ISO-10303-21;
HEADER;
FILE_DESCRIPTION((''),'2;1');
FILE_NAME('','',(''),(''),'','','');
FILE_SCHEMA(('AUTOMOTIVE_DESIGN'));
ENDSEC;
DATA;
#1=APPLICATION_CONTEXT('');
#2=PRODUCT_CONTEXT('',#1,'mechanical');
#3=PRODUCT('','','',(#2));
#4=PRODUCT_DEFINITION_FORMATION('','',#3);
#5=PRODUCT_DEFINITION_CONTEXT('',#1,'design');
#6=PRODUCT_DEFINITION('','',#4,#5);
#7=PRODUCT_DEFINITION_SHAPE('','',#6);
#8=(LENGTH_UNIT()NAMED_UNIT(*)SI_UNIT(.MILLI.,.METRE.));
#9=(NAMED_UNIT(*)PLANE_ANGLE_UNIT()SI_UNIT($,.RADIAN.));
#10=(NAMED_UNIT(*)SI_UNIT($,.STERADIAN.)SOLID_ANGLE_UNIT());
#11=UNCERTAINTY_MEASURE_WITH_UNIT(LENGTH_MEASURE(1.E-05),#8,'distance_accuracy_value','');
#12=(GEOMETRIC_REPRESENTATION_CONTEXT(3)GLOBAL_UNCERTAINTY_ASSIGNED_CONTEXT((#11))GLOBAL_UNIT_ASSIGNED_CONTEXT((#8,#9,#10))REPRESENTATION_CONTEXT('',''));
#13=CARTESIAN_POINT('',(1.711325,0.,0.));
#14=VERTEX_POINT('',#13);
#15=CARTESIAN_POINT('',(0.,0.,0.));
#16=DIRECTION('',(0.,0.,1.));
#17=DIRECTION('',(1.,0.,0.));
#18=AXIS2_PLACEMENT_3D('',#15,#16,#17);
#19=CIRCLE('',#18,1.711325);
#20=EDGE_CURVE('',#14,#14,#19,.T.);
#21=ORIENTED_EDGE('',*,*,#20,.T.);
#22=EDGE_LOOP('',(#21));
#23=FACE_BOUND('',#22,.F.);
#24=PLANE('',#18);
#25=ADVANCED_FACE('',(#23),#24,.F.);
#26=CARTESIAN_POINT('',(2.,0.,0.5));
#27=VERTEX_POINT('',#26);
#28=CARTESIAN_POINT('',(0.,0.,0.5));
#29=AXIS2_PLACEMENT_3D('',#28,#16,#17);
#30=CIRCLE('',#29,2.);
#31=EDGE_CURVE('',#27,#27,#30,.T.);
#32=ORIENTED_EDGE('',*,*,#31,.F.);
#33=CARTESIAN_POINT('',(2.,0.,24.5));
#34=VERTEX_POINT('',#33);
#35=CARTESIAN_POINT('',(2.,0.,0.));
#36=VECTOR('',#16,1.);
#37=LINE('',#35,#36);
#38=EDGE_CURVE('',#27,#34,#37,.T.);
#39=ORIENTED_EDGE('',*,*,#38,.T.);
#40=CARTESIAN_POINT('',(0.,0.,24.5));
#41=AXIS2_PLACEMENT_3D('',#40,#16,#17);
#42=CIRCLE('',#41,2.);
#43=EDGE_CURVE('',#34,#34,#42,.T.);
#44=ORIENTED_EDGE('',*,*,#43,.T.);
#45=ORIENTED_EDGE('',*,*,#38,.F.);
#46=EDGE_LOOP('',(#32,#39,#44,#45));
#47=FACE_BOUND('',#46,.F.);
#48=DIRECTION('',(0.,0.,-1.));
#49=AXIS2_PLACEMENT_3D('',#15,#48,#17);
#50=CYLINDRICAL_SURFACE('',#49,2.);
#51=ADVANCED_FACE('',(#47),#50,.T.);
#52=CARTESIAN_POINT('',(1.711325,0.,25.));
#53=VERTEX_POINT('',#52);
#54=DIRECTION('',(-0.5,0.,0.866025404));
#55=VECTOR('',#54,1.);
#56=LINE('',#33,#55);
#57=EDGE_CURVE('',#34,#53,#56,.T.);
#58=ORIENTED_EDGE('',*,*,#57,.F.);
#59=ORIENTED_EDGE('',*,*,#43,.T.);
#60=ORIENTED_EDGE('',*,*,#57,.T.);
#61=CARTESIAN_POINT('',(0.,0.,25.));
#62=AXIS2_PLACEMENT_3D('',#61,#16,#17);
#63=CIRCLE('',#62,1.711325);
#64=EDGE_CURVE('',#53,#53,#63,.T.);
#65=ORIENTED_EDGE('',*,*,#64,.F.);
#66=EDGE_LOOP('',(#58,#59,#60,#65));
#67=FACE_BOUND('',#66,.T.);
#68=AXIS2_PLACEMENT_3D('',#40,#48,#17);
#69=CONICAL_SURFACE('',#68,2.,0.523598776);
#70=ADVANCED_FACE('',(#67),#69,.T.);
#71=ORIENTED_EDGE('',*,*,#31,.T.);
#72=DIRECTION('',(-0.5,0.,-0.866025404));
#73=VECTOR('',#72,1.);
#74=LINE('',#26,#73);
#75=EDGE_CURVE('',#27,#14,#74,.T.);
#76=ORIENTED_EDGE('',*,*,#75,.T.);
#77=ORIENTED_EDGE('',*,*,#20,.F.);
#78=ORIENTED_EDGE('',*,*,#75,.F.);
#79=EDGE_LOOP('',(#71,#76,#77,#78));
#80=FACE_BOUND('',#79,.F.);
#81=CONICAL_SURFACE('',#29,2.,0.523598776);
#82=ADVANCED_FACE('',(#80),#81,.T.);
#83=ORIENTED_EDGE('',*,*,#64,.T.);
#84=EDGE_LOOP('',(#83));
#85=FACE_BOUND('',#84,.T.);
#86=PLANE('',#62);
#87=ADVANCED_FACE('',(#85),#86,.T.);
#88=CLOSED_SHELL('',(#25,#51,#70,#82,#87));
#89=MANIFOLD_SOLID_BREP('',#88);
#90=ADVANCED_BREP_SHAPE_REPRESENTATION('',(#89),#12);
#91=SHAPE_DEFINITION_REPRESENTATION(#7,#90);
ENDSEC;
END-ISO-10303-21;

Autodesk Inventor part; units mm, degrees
ref_plane "YZ Plane" through (0, 0, 0) normal (1, 0, 0) x (0, 1, 0)
ref_plane "XZ Plane" through (0, 0, 0) normal (0, 1, 0) x (-1, 0, 0)
ref_plane "XY Plane" through (0, 0, 0) normal (0, 0, 1) x (1, 0, 0)
sketch "スケッチ1" plane through (0, 0, 0) normal (0, 0, 1) x (1, 0, 0)
  circle A0 centre (0, 0) radius 2
  dimension "d0" = 4
extrude "押し出し1" add sketch "スケッチ1" along normal blind 25
chamfer "面取り1" distance 0.5 angle 30 2 edges at (-2, 0, 25) (-2, 0, 0) measured on face at (1.9741, -0.3208, 8.3333)
properties part number "平行ピンΦ4.25" material "鋼、高強度、低合金"
